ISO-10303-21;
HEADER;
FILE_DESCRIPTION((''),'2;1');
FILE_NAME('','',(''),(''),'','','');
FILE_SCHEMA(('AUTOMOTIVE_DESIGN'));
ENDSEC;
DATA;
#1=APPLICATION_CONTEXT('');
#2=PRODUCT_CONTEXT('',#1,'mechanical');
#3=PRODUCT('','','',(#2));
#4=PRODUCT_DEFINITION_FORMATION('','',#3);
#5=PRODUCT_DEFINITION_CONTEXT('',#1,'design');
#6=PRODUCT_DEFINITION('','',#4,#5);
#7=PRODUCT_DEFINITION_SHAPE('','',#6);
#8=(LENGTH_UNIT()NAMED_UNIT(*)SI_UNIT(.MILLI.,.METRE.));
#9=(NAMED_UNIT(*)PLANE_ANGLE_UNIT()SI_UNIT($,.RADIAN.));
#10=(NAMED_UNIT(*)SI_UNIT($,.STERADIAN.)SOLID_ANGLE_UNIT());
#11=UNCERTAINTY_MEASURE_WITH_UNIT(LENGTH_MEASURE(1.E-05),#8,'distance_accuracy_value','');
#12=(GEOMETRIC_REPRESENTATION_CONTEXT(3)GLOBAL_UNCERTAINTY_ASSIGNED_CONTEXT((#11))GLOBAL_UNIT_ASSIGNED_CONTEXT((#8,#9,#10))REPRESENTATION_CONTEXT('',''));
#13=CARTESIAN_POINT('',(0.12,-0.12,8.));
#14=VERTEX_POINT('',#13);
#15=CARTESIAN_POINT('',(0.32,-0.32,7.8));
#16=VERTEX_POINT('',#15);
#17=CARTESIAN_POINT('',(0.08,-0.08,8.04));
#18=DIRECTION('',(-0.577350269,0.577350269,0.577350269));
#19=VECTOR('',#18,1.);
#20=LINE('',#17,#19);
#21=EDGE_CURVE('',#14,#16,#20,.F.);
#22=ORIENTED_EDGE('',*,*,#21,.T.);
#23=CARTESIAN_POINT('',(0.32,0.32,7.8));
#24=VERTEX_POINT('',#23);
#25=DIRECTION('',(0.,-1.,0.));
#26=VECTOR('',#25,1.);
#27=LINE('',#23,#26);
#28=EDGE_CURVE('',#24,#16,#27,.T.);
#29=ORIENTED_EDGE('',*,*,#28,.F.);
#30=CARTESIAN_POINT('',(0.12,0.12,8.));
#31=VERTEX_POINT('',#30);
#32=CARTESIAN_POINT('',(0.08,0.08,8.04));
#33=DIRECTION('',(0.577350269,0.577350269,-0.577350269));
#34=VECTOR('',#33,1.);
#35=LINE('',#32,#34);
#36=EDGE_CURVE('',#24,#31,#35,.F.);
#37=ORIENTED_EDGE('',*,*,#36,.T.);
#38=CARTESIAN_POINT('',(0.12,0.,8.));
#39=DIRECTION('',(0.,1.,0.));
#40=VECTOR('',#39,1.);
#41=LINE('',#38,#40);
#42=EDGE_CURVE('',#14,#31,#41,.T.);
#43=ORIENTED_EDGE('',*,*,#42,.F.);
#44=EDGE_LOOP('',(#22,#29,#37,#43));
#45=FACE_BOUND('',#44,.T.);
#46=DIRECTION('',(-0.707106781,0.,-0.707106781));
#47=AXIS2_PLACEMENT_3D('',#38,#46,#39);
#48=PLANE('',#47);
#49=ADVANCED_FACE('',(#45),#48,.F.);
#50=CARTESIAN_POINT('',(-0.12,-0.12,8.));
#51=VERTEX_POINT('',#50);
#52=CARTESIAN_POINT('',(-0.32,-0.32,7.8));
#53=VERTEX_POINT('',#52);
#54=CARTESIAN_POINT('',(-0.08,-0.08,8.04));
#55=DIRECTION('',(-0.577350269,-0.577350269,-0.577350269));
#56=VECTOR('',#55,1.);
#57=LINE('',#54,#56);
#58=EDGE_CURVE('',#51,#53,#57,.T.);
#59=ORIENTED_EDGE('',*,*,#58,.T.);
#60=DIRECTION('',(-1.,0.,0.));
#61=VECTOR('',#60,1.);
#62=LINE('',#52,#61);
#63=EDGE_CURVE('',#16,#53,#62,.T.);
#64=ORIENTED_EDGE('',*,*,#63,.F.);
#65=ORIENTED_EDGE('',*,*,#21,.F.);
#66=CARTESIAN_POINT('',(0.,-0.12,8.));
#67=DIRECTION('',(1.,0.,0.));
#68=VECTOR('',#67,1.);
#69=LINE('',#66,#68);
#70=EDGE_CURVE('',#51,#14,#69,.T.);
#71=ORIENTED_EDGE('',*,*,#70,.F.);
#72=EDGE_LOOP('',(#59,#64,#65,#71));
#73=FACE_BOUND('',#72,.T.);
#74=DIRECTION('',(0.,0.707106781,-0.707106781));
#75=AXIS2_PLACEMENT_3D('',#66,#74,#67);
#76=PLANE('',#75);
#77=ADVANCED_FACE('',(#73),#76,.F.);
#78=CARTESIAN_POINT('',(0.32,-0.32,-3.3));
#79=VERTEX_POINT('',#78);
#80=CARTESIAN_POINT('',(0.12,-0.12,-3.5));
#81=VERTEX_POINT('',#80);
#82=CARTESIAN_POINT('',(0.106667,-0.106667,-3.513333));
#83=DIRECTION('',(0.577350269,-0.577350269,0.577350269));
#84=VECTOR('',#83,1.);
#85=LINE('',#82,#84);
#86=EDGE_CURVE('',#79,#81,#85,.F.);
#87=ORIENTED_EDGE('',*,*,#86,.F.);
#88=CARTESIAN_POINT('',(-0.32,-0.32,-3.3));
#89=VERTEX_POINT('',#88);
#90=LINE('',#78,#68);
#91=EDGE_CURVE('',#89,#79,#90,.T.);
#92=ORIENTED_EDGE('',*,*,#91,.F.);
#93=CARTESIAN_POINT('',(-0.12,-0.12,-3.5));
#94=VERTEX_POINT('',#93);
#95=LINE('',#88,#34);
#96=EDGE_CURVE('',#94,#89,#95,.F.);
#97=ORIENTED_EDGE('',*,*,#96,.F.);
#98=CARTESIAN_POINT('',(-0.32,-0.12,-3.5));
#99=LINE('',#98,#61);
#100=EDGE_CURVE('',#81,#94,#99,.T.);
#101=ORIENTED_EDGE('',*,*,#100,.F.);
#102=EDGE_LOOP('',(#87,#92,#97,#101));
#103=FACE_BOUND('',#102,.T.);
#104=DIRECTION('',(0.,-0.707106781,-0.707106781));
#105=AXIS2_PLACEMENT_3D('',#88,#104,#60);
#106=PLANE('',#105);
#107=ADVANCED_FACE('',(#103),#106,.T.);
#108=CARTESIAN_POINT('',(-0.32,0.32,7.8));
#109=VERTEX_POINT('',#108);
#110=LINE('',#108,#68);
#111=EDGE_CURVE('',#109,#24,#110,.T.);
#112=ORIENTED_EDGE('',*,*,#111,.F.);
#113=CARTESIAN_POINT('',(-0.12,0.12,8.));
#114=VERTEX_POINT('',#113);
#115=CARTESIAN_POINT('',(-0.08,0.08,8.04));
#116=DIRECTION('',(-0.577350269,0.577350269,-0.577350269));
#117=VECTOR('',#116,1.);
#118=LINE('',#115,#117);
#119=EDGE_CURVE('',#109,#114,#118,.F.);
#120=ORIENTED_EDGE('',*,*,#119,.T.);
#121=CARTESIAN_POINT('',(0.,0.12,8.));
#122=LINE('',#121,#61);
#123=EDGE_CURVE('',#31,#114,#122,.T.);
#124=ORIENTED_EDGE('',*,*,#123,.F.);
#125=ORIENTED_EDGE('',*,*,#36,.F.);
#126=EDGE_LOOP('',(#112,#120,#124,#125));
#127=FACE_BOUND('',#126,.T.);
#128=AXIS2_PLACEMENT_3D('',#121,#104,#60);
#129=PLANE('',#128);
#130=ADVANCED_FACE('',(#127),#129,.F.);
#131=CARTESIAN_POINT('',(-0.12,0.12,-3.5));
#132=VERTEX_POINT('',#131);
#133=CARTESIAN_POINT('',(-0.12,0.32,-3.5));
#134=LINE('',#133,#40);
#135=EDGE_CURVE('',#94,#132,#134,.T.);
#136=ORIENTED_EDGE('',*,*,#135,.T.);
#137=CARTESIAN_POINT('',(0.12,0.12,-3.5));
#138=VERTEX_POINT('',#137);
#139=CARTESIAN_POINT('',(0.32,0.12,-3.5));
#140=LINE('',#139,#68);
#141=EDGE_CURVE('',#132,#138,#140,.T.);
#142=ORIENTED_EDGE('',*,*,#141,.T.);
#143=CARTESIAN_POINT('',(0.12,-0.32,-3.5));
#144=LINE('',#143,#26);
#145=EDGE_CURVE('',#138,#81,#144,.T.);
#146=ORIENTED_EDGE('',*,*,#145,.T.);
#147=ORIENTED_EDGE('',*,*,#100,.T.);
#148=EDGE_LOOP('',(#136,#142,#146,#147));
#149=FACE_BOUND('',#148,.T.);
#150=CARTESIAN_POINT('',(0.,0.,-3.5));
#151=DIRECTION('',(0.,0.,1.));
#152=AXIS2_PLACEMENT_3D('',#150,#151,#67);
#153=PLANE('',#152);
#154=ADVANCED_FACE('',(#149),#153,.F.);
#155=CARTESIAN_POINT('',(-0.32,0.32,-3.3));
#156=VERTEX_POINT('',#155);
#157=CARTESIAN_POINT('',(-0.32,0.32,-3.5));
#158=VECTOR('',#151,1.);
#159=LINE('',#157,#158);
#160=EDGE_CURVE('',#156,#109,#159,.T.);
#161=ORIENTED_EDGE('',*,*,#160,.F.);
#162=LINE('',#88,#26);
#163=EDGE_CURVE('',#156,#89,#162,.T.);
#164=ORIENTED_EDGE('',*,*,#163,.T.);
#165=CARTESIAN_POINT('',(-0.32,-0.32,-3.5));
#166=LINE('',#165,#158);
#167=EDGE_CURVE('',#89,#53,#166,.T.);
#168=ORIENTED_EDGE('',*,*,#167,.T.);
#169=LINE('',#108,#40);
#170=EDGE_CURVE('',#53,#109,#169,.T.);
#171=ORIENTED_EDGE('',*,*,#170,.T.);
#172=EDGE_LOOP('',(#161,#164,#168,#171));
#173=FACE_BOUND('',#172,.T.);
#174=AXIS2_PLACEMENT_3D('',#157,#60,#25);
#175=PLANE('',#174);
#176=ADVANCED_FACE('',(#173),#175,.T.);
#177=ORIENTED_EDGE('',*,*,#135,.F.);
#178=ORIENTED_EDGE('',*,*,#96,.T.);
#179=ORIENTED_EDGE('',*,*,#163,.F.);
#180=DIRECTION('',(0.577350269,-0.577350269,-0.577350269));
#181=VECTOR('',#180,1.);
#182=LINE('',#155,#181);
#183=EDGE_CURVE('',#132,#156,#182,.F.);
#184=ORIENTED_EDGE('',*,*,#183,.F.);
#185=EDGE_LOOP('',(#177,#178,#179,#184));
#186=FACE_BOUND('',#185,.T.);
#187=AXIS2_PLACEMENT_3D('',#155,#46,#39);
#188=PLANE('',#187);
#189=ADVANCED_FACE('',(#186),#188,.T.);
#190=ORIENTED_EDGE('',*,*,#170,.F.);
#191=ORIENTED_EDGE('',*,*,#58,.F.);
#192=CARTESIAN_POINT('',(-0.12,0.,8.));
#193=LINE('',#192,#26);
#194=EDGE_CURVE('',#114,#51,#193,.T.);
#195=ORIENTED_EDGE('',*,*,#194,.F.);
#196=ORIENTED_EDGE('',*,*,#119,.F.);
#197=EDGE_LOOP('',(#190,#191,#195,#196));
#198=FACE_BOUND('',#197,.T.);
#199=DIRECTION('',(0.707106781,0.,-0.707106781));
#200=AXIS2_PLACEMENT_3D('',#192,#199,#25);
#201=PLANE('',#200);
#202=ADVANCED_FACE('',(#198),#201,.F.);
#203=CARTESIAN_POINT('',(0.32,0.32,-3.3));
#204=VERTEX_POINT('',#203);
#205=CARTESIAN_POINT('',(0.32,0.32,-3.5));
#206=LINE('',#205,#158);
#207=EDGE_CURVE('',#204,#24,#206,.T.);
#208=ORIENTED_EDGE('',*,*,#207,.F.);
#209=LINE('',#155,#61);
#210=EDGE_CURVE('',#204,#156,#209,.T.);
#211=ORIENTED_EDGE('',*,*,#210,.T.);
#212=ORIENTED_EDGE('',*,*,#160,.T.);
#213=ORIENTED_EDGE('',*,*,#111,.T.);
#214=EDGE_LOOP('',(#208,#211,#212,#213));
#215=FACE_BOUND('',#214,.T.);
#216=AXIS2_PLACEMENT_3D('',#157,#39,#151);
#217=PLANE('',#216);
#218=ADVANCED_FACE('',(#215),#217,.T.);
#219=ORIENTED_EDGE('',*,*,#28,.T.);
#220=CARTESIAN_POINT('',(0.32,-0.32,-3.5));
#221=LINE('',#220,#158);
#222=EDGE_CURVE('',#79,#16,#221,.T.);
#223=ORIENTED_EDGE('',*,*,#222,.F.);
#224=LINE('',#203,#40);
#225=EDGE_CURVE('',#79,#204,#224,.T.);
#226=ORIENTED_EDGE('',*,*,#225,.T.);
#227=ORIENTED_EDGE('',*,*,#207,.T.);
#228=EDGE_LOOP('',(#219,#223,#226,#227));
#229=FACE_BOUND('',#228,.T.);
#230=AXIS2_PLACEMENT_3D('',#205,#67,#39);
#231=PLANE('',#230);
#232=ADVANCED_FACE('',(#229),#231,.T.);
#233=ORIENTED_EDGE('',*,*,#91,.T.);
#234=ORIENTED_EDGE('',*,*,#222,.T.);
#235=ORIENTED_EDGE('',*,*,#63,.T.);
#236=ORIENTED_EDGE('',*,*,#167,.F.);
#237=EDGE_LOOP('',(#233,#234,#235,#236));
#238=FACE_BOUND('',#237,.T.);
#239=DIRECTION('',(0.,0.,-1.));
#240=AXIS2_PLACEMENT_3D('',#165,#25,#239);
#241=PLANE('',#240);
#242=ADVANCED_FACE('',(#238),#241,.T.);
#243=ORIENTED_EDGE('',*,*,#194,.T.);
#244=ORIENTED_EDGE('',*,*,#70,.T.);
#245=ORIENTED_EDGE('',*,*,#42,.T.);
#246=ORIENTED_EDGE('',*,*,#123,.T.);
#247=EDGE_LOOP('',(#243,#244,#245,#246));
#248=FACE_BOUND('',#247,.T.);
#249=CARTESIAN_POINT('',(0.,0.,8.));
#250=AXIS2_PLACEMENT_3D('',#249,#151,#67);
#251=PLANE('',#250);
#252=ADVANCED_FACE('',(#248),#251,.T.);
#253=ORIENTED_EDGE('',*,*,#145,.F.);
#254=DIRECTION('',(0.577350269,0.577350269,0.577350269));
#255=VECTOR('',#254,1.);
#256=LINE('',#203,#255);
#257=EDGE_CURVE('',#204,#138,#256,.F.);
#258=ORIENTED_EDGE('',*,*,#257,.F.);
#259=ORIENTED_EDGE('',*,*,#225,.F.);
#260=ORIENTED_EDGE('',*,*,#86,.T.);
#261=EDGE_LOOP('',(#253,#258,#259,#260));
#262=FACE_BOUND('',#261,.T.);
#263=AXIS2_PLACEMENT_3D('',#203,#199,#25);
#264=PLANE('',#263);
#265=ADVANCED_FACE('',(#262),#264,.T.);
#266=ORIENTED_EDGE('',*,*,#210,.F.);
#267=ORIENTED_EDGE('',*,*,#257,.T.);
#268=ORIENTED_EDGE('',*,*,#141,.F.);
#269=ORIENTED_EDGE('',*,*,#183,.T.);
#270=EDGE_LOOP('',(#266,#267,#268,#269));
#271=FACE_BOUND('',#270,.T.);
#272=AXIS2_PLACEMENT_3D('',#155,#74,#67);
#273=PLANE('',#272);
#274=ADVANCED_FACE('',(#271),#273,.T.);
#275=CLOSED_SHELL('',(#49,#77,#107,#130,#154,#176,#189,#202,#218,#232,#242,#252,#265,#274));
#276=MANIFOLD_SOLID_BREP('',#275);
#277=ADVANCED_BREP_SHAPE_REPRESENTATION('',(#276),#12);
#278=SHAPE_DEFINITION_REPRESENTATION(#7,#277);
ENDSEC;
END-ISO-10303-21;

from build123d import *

# Parameters (mm, degrees)
EXTRUDE_1_DEPTH      = 8
EXTRUDE_1_DEPTH_BACK = 3.5
SKETCH_1_W           = 0.64
SKETCH_1_H           = 0.64
CHAMFER_1_SIZE       = 0.2


with BuildPart() as part:
    # Эскиз1 → Бобышка-Вытянуть1 (new, two sides: drawn at the far end of the back side and taken through both)
    with BuildSketch(Plane.XY.offset(-EXTRUDE_1_DEPTH_BACK)):
        Rectangle(SKETCH_1_W, SKETCH_1_H)
    extrude(amount=EXTRUDE_1_DEPTH + EXTRUDE_1_DEPTH_BACK)

    # Фаска1
    chamfer_1_edges = [part.edges().sort_by_distance(p)[0] for p in [
        (0.32, 0, 8),
        (-0.32, 0, -3.5),
        (0, 0.32, 8),
        (-0.32, 0, 8),
        (0, -0.32, 8),
        (0, -0.32, -3.5),
        (0.32, 0, -3.5),
        (0, 0.32, -3.5),
    ]]
    chamfer(chamfer_1_edges, length=CHAMFER_1_SIZE)


solid = part.part
